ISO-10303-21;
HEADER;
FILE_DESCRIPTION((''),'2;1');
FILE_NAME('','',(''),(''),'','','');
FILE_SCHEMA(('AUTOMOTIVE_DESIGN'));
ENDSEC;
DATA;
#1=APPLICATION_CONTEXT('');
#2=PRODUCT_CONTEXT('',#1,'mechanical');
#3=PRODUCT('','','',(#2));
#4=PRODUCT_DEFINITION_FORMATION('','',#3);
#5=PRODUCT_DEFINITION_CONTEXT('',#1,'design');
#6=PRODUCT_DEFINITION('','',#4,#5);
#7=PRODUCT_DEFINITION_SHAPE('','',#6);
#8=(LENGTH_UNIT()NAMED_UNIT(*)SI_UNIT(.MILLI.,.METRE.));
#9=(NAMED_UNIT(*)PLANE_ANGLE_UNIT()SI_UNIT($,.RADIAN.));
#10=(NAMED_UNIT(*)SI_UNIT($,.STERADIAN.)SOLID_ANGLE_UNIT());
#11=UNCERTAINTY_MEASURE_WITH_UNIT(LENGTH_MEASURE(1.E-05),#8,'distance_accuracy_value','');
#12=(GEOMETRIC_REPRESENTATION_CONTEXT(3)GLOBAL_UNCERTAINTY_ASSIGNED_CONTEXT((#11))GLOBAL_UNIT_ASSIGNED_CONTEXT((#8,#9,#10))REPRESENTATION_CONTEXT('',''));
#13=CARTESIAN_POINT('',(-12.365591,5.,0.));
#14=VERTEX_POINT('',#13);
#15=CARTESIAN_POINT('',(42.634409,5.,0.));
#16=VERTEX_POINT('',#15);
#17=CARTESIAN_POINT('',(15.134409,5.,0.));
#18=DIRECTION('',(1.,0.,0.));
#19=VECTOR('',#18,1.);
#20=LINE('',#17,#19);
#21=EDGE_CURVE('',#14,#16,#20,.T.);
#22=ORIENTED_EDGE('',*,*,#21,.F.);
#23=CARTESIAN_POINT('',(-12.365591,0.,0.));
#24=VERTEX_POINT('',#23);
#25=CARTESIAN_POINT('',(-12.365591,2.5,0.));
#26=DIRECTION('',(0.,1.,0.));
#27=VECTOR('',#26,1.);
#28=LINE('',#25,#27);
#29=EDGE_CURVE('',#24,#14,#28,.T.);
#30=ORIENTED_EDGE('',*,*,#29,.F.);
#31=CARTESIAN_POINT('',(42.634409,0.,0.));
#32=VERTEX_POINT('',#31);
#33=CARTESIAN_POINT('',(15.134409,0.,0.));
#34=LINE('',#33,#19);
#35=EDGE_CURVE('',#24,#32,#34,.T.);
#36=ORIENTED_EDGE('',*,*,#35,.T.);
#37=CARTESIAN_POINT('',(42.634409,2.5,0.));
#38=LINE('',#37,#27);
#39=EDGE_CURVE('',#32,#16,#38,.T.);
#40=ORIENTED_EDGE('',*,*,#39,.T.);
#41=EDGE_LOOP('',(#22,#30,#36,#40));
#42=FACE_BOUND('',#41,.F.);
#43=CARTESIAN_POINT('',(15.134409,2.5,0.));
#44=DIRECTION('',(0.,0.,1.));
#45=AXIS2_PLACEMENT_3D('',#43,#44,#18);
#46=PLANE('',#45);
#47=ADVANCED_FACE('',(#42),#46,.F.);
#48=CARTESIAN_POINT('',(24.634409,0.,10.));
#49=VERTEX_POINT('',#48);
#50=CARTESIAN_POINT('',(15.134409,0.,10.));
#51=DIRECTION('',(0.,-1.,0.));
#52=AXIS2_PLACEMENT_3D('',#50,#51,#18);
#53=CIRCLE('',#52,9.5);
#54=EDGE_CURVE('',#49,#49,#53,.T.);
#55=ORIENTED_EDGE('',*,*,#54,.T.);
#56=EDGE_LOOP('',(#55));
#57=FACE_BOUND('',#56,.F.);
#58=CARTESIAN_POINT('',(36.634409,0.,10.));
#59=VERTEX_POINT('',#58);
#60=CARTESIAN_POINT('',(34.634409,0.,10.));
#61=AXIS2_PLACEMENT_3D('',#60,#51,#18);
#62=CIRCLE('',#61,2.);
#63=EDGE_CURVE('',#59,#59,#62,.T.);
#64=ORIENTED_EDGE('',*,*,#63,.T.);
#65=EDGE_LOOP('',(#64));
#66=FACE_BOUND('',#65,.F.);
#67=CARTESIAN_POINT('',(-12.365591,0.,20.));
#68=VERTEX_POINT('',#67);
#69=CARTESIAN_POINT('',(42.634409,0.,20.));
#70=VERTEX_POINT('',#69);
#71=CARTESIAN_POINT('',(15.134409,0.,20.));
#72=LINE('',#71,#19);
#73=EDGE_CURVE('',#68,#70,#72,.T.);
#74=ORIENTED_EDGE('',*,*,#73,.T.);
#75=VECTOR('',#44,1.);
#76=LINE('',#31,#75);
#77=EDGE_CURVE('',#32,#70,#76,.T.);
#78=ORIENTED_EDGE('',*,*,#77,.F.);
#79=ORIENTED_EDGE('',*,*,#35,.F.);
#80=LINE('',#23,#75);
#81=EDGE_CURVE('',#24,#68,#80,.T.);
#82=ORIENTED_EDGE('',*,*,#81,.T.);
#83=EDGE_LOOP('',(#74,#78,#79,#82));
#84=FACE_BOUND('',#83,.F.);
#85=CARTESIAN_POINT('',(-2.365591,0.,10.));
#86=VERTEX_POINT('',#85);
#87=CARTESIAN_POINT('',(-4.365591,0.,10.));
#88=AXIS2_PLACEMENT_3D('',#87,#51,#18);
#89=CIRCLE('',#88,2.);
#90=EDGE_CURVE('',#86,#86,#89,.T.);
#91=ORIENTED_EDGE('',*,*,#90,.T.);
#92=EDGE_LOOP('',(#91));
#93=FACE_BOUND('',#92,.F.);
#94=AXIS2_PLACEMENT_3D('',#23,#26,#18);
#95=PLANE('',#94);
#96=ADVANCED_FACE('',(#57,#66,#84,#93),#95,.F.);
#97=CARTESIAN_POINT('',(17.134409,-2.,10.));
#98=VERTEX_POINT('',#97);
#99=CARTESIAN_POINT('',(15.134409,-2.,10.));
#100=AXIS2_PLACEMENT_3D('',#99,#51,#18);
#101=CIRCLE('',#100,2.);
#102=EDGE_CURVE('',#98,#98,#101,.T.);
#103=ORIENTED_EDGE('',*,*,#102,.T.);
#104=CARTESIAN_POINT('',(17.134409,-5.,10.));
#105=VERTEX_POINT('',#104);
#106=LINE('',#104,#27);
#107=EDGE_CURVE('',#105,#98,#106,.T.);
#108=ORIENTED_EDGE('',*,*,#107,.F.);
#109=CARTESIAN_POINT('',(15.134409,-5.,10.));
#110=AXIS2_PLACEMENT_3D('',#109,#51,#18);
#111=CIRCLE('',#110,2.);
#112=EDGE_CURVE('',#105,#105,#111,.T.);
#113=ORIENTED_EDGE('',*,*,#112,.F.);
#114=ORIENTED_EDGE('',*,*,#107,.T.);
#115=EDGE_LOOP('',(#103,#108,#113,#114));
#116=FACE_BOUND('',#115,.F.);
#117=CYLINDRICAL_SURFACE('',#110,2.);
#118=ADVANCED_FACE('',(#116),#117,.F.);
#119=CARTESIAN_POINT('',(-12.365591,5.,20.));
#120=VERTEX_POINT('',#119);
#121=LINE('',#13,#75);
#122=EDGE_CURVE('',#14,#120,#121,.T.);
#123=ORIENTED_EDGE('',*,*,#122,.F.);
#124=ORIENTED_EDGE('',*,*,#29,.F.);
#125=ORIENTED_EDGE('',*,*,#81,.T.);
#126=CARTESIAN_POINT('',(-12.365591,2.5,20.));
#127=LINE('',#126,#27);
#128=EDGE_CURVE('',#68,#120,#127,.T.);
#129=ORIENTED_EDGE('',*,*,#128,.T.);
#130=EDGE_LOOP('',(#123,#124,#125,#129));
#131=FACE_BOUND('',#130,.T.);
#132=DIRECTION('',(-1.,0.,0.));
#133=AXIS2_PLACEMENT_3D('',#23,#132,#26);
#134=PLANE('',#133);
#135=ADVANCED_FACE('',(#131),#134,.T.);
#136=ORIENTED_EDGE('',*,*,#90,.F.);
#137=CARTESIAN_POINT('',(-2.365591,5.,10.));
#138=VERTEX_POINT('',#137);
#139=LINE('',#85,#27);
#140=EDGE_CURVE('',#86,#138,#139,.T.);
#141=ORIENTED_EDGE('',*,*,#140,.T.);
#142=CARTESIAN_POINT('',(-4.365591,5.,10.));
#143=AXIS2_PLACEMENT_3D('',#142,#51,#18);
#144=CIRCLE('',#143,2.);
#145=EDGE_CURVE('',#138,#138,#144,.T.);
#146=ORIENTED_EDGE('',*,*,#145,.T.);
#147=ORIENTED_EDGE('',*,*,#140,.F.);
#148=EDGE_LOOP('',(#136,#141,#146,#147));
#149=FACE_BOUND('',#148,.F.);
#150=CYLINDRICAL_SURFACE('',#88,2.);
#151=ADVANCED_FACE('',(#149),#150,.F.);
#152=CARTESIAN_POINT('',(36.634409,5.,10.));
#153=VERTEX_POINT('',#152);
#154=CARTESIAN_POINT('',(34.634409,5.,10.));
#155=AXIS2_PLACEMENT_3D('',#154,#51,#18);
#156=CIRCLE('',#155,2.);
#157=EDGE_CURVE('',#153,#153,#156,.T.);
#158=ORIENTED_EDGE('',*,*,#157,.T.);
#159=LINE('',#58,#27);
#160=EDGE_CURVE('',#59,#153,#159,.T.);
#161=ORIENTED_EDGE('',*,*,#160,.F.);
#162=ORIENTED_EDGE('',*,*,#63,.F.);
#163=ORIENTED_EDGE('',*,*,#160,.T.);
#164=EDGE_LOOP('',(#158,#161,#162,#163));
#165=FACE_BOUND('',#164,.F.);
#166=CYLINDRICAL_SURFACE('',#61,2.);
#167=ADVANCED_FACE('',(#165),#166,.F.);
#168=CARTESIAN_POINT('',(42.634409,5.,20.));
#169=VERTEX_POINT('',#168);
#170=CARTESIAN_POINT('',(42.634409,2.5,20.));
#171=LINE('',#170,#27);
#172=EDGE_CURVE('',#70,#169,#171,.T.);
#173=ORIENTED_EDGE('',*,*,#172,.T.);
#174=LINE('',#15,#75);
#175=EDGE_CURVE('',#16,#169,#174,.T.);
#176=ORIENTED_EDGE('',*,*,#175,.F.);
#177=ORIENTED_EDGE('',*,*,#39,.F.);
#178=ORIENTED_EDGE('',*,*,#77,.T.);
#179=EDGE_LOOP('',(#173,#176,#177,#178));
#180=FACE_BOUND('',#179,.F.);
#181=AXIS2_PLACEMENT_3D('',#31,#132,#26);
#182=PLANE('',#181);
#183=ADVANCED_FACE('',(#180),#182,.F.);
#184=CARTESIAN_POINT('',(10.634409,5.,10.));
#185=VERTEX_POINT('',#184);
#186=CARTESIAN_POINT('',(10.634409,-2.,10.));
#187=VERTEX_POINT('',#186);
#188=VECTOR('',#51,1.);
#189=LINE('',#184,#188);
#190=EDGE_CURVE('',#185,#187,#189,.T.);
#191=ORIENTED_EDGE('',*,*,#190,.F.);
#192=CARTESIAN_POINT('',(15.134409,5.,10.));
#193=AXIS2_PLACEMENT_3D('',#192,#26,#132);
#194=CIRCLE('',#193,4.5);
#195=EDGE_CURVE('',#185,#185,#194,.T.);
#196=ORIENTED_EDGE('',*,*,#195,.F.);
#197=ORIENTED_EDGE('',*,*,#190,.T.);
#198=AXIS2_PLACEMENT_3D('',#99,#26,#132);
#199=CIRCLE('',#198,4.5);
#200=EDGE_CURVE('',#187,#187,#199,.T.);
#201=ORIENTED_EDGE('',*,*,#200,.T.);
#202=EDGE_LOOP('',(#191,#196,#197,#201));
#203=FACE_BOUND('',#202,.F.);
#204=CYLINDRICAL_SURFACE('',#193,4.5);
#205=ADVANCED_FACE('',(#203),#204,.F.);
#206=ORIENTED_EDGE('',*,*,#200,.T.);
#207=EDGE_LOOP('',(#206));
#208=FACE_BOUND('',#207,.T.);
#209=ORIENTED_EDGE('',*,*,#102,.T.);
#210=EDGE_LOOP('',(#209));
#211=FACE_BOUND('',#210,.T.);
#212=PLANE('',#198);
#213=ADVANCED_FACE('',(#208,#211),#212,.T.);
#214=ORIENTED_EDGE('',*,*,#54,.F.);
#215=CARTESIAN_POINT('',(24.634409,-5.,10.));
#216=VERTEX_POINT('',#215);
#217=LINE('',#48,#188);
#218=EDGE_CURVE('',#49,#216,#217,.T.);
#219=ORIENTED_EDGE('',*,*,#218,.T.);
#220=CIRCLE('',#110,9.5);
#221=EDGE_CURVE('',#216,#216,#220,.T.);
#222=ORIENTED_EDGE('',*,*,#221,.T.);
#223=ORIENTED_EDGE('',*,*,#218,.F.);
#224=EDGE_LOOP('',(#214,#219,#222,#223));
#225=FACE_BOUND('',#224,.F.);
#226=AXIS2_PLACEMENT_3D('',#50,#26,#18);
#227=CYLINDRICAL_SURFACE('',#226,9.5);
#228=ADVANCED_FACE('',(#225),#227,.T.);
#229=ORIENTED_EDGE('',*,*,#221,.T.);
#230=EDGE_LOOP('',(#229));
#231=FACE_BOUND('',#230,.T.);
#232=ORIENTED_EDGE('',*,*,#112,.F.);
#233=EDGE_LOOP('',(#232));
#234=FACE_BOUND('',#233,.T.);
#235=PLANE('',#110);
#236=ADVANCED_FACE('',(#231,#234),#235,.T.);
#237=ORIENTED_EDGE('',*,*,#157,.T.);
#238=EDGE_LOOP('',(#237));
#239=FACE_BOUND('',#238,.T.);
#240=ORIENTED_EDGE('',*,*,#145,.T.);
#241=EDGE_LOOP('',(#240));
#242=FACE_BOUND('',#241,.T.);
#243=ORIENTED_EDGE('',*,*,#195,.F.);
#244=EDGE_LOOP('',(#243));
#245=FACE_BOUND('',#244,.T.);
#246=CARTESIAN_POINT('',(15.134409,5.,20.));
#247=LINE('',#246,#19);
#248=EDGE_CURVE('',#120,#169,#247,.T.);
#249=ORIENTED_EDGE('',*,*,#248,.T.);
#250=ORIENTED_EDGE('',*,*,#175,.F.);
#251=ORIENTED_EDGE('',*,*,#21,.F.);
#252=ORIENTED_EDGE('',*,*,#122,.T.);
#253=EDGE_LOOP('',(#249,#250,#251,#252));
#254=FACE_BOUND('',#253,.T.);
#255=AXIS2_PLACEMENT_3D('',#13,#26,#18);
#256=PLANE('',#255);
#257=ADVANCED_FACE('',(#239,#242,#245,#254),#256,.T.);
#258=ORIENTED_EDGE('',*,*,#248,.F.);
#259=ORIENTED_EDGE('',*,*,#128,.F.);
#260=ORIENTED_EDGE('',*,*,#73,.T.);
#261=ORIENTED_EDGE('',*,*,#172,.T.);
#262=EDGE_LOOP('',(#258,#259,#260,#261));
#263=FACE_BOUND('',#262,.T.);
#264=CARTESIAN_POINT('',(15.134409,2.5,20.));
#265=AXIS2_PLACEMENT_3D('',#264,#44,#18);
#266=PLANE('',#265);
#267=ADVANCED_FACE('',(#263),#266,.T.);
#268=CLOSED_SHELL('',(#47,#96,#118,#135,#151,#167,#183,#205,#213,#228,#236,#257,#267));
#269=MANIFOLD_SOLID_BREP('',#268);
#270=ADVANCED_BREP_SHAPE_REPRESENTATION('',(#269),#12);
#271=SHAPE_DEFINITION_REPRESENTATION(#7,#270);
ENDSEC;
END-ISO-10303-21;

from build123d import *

# Parameters (mm, degrees)
F0_W     = 55
F0_H     = 5
F1_DEPTH = 20
F2_R     = 9.5
F3_DEPTH = 5
F4_R     = 2
F5_DEPTH = 10.001
F6_R     = 4.5
F7_DEPTH = 7
F8_R     = 2
F9_DEPTH = 25


with BuildPart() as f1:
    # F0 (on Top) → F1 (new body)
    with BuildSketch(Plane.XY):
        with Locations((15.134409, 2.5)):
            Rectangle(F0_W, F0_H)
    extrude(amount=F1_DEPTH)

    # F2 (on face) → F3 (join)
    with BuildSketch(Plane.XZ):
        with Locations((15.134409, 10)):
            Circle(F2_R)
    extrude(amount=F3_DEPTH)

    # F4 (on face) → F5 (cut, through all)
    with BuildSketch(Plane.XZ.offset(5)):
        with Locations((15.134409, 10)):
            Circle(F4_R)
    extrude(amount=-F5_DEPTH, mode=Mode.SUBTRACT)

    # F6 (on face) → F7 (cut)
    with BuildSketch(Plane(origin=(0, 5, 0), x_dir=(-1, 0, 0), z_dir=(0, 1, 0))):
        with Locations((-15.134409, 10)):
            Circle(F6_R)
    extrude(amount=-F7_DEPTH, mode=Mode.SUBTRACT)

    # F8 (on face) → F9 (cut)
    with BuildSketch(Plane.XZ):
        with Locations((-4.365591, 10)):
            Circle(F8_R)
        with Locations((34.634409, 10)):
            Circle(F8_R)
    extrude(amount=-F9_DEPTH, mode=Mode.SUBTRACT)


solid = f1.part
